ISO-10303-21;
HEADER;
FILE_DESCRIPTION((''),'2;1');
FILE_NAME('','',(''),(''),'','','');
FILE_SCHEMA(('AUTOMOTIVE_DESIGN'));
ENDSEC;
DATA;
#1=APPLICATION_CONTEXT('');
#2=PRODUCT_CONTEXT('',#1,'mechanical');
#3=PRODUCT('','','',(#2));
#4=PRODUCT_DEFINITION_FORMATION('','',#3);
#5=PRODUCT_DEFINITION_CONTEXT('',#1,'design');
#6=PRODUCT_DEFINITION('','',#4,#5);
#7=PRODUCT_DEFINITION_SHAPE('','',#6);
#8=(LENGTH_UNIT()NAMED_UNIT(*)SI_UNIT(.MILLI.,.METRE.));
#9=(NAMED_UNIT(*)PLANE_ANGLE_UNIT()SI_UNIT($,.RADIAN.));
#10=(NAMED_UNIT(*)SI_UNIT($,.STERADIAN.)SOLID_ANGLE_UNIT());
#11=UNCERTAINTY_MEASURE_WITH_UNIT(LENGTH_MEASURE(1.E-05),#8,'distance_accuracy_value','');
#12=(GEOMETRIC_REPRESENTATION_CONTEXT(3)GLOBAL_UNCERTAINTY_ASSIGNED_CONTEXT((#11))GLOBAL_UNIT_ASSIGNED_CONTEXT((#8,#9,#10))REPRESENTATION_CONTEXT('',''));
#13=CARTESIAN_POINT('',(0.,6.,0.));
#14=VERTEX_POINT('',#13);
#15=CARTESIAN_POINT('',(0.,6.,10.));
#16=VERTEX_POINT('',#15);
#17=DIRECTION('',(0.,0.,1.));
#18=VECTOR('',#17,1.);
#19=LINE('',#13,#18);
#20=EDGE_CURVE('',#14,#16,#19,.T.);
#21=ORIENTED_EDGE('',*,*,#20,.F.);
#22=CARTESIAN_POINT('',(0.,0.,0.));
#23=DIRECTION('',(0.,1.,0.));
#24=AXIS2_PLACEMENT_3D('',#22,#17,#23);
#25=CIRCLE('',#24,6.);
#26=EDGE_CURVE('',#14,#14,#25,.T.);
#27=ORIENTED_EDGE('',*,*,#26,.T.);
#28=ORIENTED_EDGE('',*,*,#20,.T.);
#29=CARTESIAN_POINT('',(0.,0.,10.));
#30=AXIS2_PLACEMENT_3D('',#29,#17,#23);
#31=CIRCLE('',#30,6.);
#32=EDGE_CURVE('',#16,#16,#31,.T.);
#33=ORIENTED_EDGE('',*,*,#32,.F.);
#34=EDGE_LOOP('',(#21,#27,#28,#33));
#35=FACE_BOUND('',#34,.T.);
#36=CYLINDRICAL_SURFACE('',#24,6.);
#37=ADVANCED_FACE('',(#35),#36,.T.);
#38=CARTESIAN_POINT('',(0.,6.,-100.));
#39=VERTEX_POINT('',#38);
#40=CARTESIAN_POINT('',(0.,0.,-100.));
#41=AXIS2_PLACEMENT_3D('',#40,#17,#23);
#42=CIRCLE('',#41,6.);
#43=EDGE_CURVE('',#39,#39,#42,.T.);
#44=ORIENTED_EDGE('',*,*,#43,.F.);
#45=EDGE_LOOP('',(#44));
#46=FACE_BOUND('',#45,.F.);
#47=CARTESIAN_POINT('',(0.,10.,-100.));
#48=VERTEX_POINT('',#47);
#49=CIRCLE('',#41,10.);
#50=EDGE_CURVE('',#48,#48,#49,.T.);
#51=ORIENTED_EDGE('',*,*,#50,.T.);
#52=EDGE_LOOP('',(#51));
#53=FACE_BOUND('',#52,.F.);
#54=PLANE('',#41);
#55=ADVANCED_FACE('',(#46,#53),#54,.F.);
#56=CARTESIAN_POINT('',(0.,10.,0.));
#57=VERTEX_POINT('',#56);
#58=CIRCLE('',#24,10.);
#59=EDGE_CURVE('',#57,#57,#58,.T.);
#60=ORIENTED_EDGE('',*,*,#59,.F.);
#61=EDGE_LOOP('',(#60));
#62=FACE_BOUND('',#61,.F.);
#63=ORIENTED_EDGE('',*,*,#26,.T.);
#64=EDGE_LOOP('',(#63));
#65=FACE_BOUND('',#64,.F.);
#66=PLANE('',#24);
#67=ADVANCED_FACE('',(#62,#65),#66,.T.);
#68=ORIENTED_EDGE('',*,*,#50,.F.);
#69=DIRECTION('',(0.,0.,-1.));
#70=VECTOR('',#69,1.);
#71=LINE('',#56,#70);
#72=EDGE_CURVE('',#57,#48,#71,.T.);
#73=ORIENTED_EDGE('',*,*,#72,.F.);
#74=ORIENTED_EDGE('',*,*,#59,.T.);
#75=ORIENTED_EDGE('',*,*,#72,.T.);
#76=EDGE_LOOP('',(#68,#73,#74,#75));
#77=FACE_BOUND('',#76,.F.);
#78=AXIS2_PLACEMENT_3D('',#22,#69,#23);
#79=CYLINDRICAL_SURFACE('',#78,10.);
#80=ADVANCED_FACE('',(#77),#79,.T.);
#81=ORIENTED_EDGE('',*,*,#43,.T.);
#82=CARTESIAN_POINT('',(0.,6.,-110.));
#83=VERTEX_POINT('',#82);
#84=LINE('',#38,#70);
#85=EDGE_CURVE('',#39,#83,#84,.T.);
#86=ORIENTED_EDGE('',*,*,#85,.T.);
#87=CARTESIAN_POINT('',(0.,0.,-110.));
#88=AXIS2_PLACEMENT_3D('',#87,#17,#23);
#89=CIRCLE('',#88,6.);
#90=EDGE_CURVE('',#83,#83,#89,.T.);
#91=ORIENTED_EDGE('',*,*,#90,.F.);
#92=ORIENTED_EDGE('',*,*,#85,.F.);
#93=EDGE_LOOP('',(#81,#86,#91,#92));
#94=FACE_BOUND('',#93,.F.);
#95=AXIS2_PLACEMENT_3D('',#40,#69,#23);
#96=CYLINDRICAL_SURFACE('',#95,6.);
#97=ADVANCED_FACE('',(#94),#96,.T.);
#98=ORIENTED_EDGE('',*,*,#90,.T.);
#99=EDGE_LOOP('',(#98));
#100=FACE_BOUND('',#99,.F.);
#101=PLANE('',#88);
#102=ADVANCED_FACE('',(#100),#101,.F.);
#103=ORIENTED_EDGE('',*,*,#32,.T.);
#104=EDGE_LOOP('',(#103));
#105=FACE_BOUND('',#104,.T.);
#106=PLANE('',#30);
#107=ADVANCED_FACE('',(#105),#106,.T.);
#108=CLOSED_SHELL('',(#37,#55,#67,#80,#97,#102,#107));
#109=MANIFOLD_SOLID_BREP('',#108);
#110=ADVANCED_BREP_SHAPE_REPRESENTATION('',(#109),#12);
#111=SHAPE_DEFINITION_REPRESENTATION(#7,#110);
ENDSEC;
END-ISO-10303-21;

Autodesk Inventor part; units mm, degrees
ref_plane "YZ Plane" through (0, 0, 0) normal (1, 0, 0) x (0, 1, 0)
ref_plane "XZ Plane" through (0, 0, 0) normal (0, 1, 0) x (-1, 0, 0)
ref_plane "XY Plane" through (0, 0, 0) normal (0, 0, 1) x (1, 0, 0)
sketch "草圖1" plane through (0, 0, 0) normal (1, 0, 0) x (0, 1, 0)
  line L0 (-2, 0) -> (12, 0) projected
  line L1 (0, -134) -> (0, 34) projected
  line L2 (0, 0) -> (10, 0)
  line L3 (10, 0) -> (10, -100)
  line L4 (10, -100) -> (0, -100)
  line L5 (0, -100) -> (0, 0)
  line L6 (0, -100) -> (6, -100)
  line L7 (6, -100) -> (6, -110)
  line L8 (6, -110) -> (0, -110)
  line L9 (0, -110) -> (0, -100)
  line L10 (0, 0) -> (6, 0)
  line L11 (6, 0) -> (6, 10)
  line L12 (6, 10) -> (0, 10)
  line L13 (0, 10) -> (0, 0)
  dimension "d0" = 10
  dimension "d1" = 100
  dimension "d2" = 6
  dimension "d3" = 10
  dimension "d4" = 6
  dimension "d5" = 10
revolve "迴轉1" add sketch "草圖1" angle 360 about axis through (0, 0, -100) along (0, 0, 1)
properties part number "exercise2-6"
